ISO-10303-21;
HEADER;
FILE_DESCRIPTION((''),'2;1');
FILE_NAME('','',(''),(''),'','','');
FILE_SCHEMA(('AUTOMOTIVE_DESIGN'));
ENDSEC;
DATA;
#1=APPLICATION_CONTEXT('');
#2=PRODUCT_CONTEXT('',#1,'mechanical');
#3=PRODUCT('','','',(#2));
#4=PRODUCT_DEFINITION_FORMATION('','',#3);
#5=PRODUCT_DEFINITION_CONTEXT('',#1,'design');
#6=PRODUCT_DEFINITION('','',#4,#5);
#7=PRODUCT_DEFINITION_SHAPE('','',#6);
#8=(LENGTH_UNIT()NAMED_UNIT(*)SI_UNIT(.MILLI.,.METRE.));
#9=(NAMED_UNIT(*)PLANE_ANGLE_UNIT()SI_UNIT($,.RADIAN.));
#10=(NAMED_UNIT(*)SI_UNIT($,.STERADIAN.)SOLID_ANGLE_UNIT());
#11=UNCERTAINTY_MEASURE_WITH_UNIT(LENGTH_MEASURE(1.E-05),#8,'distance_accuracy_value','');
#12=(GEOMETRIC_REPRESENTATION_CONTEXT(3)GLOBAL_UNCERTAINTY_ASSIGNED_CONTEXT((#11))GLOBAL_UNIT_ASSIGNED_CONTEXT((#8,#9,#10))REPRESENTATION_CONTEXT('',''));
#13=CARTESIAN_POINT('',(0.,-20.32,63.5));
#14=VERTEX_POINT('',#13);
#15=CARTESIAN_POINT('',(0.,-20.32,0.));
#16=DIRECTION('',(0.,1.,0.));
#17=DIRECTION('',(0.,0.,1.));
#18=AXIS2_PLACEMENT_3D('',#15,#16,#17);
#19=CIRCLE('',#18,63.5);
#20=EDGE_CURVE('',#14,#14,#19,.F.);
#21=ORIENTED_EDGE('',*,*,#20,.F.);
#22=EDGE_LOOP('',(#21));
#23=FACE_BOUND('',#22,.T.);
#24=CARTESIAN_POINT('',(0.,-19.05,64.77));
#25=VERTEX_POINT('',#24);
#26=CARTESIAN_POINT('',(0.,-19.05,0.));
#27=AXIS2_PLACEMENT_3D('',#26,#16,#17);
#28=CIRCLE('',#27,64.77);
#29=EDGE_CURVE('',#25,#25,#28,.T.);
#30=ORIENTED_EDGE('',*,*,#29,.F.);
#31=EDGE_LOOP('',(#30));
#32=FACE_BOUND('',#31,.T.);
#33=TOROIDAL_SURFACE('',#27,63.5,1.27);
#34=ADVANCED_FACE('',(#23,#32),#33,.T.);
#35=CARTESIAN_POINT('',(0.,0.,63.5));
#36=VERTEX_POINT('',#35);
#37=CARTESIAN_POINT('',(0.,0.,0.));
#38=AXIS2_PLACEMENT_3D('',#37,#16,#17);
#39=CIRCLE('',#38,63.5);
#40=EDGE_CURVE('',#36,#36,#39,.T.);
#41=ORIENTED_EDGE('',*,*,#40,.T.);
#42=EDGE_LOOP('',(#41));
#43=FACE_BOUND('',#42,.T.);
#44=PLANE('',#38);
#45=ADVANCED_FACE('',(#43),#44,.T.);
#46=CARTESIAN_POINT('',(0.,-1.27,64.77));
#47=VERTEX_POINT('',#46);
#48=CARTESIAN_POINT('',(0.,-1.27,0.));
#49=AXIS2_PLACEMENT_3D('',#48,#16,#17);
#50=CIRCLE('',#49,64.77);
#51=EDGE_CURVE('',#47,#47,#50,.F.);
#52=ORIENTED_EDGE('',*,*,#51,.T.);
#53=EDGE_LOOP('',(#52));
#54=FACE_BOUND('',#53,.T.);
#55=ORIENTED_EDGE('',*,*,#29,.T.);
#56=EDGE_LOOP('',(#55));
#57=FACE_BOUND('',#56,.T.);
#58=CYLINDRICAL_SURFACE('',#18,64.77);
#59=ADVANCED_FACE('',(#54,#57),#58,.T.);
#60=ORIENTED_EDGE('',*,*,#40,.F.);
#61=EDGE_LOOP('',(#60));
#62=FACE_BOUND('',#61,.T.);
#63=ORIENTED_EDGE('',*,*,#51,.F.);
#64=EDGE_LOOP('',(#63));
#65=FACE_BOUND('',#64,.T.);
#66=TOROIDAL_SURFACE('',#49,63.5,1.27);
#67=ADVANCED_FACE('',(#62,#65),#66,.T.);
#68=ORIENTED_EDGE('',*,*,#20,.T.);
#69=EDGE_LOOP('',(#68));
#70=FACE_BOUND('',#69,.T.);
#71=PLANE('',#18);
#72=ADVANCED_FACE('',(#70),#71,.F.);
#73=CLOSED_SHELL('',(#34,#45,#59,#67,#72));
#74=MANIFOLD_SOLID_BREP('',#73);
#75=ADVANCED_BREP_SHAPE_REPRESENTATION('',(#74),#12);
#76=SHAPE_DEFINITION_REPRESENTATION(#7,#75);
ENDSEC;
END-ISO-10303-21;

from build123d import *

# Parameters (mm, degrees)
SKETCH2_R           = 64.77
BOSS_EXTRUDE1_DEPTH = 20.32
FILLET1_R           = 1.27


with BuildPart() as part:
    # Sketch2 → Boss-Extrude1 (new body)
    with BuildSketch(Plane(origin=(0, 0, 0), x_dir=(1, 0, 0), z_dir=(0, 1, 0))):
        with Locations(Location((0, 0, 0), (0, 0, 270))):
            Circle(SKETCH2_R)
    extrude(amount=-BOSS_EXTRUDE1_DEPTH)

    # Fillet1
    fillet1_edges = [part.edges().sort_by_distance(p)[0] for p in [
        (0, 0, -64.77),
        (0, -20.32, -64.77),
    ]]
    fillet(fillet1_edges, radius=FILLET1_R)


solid = part.part
